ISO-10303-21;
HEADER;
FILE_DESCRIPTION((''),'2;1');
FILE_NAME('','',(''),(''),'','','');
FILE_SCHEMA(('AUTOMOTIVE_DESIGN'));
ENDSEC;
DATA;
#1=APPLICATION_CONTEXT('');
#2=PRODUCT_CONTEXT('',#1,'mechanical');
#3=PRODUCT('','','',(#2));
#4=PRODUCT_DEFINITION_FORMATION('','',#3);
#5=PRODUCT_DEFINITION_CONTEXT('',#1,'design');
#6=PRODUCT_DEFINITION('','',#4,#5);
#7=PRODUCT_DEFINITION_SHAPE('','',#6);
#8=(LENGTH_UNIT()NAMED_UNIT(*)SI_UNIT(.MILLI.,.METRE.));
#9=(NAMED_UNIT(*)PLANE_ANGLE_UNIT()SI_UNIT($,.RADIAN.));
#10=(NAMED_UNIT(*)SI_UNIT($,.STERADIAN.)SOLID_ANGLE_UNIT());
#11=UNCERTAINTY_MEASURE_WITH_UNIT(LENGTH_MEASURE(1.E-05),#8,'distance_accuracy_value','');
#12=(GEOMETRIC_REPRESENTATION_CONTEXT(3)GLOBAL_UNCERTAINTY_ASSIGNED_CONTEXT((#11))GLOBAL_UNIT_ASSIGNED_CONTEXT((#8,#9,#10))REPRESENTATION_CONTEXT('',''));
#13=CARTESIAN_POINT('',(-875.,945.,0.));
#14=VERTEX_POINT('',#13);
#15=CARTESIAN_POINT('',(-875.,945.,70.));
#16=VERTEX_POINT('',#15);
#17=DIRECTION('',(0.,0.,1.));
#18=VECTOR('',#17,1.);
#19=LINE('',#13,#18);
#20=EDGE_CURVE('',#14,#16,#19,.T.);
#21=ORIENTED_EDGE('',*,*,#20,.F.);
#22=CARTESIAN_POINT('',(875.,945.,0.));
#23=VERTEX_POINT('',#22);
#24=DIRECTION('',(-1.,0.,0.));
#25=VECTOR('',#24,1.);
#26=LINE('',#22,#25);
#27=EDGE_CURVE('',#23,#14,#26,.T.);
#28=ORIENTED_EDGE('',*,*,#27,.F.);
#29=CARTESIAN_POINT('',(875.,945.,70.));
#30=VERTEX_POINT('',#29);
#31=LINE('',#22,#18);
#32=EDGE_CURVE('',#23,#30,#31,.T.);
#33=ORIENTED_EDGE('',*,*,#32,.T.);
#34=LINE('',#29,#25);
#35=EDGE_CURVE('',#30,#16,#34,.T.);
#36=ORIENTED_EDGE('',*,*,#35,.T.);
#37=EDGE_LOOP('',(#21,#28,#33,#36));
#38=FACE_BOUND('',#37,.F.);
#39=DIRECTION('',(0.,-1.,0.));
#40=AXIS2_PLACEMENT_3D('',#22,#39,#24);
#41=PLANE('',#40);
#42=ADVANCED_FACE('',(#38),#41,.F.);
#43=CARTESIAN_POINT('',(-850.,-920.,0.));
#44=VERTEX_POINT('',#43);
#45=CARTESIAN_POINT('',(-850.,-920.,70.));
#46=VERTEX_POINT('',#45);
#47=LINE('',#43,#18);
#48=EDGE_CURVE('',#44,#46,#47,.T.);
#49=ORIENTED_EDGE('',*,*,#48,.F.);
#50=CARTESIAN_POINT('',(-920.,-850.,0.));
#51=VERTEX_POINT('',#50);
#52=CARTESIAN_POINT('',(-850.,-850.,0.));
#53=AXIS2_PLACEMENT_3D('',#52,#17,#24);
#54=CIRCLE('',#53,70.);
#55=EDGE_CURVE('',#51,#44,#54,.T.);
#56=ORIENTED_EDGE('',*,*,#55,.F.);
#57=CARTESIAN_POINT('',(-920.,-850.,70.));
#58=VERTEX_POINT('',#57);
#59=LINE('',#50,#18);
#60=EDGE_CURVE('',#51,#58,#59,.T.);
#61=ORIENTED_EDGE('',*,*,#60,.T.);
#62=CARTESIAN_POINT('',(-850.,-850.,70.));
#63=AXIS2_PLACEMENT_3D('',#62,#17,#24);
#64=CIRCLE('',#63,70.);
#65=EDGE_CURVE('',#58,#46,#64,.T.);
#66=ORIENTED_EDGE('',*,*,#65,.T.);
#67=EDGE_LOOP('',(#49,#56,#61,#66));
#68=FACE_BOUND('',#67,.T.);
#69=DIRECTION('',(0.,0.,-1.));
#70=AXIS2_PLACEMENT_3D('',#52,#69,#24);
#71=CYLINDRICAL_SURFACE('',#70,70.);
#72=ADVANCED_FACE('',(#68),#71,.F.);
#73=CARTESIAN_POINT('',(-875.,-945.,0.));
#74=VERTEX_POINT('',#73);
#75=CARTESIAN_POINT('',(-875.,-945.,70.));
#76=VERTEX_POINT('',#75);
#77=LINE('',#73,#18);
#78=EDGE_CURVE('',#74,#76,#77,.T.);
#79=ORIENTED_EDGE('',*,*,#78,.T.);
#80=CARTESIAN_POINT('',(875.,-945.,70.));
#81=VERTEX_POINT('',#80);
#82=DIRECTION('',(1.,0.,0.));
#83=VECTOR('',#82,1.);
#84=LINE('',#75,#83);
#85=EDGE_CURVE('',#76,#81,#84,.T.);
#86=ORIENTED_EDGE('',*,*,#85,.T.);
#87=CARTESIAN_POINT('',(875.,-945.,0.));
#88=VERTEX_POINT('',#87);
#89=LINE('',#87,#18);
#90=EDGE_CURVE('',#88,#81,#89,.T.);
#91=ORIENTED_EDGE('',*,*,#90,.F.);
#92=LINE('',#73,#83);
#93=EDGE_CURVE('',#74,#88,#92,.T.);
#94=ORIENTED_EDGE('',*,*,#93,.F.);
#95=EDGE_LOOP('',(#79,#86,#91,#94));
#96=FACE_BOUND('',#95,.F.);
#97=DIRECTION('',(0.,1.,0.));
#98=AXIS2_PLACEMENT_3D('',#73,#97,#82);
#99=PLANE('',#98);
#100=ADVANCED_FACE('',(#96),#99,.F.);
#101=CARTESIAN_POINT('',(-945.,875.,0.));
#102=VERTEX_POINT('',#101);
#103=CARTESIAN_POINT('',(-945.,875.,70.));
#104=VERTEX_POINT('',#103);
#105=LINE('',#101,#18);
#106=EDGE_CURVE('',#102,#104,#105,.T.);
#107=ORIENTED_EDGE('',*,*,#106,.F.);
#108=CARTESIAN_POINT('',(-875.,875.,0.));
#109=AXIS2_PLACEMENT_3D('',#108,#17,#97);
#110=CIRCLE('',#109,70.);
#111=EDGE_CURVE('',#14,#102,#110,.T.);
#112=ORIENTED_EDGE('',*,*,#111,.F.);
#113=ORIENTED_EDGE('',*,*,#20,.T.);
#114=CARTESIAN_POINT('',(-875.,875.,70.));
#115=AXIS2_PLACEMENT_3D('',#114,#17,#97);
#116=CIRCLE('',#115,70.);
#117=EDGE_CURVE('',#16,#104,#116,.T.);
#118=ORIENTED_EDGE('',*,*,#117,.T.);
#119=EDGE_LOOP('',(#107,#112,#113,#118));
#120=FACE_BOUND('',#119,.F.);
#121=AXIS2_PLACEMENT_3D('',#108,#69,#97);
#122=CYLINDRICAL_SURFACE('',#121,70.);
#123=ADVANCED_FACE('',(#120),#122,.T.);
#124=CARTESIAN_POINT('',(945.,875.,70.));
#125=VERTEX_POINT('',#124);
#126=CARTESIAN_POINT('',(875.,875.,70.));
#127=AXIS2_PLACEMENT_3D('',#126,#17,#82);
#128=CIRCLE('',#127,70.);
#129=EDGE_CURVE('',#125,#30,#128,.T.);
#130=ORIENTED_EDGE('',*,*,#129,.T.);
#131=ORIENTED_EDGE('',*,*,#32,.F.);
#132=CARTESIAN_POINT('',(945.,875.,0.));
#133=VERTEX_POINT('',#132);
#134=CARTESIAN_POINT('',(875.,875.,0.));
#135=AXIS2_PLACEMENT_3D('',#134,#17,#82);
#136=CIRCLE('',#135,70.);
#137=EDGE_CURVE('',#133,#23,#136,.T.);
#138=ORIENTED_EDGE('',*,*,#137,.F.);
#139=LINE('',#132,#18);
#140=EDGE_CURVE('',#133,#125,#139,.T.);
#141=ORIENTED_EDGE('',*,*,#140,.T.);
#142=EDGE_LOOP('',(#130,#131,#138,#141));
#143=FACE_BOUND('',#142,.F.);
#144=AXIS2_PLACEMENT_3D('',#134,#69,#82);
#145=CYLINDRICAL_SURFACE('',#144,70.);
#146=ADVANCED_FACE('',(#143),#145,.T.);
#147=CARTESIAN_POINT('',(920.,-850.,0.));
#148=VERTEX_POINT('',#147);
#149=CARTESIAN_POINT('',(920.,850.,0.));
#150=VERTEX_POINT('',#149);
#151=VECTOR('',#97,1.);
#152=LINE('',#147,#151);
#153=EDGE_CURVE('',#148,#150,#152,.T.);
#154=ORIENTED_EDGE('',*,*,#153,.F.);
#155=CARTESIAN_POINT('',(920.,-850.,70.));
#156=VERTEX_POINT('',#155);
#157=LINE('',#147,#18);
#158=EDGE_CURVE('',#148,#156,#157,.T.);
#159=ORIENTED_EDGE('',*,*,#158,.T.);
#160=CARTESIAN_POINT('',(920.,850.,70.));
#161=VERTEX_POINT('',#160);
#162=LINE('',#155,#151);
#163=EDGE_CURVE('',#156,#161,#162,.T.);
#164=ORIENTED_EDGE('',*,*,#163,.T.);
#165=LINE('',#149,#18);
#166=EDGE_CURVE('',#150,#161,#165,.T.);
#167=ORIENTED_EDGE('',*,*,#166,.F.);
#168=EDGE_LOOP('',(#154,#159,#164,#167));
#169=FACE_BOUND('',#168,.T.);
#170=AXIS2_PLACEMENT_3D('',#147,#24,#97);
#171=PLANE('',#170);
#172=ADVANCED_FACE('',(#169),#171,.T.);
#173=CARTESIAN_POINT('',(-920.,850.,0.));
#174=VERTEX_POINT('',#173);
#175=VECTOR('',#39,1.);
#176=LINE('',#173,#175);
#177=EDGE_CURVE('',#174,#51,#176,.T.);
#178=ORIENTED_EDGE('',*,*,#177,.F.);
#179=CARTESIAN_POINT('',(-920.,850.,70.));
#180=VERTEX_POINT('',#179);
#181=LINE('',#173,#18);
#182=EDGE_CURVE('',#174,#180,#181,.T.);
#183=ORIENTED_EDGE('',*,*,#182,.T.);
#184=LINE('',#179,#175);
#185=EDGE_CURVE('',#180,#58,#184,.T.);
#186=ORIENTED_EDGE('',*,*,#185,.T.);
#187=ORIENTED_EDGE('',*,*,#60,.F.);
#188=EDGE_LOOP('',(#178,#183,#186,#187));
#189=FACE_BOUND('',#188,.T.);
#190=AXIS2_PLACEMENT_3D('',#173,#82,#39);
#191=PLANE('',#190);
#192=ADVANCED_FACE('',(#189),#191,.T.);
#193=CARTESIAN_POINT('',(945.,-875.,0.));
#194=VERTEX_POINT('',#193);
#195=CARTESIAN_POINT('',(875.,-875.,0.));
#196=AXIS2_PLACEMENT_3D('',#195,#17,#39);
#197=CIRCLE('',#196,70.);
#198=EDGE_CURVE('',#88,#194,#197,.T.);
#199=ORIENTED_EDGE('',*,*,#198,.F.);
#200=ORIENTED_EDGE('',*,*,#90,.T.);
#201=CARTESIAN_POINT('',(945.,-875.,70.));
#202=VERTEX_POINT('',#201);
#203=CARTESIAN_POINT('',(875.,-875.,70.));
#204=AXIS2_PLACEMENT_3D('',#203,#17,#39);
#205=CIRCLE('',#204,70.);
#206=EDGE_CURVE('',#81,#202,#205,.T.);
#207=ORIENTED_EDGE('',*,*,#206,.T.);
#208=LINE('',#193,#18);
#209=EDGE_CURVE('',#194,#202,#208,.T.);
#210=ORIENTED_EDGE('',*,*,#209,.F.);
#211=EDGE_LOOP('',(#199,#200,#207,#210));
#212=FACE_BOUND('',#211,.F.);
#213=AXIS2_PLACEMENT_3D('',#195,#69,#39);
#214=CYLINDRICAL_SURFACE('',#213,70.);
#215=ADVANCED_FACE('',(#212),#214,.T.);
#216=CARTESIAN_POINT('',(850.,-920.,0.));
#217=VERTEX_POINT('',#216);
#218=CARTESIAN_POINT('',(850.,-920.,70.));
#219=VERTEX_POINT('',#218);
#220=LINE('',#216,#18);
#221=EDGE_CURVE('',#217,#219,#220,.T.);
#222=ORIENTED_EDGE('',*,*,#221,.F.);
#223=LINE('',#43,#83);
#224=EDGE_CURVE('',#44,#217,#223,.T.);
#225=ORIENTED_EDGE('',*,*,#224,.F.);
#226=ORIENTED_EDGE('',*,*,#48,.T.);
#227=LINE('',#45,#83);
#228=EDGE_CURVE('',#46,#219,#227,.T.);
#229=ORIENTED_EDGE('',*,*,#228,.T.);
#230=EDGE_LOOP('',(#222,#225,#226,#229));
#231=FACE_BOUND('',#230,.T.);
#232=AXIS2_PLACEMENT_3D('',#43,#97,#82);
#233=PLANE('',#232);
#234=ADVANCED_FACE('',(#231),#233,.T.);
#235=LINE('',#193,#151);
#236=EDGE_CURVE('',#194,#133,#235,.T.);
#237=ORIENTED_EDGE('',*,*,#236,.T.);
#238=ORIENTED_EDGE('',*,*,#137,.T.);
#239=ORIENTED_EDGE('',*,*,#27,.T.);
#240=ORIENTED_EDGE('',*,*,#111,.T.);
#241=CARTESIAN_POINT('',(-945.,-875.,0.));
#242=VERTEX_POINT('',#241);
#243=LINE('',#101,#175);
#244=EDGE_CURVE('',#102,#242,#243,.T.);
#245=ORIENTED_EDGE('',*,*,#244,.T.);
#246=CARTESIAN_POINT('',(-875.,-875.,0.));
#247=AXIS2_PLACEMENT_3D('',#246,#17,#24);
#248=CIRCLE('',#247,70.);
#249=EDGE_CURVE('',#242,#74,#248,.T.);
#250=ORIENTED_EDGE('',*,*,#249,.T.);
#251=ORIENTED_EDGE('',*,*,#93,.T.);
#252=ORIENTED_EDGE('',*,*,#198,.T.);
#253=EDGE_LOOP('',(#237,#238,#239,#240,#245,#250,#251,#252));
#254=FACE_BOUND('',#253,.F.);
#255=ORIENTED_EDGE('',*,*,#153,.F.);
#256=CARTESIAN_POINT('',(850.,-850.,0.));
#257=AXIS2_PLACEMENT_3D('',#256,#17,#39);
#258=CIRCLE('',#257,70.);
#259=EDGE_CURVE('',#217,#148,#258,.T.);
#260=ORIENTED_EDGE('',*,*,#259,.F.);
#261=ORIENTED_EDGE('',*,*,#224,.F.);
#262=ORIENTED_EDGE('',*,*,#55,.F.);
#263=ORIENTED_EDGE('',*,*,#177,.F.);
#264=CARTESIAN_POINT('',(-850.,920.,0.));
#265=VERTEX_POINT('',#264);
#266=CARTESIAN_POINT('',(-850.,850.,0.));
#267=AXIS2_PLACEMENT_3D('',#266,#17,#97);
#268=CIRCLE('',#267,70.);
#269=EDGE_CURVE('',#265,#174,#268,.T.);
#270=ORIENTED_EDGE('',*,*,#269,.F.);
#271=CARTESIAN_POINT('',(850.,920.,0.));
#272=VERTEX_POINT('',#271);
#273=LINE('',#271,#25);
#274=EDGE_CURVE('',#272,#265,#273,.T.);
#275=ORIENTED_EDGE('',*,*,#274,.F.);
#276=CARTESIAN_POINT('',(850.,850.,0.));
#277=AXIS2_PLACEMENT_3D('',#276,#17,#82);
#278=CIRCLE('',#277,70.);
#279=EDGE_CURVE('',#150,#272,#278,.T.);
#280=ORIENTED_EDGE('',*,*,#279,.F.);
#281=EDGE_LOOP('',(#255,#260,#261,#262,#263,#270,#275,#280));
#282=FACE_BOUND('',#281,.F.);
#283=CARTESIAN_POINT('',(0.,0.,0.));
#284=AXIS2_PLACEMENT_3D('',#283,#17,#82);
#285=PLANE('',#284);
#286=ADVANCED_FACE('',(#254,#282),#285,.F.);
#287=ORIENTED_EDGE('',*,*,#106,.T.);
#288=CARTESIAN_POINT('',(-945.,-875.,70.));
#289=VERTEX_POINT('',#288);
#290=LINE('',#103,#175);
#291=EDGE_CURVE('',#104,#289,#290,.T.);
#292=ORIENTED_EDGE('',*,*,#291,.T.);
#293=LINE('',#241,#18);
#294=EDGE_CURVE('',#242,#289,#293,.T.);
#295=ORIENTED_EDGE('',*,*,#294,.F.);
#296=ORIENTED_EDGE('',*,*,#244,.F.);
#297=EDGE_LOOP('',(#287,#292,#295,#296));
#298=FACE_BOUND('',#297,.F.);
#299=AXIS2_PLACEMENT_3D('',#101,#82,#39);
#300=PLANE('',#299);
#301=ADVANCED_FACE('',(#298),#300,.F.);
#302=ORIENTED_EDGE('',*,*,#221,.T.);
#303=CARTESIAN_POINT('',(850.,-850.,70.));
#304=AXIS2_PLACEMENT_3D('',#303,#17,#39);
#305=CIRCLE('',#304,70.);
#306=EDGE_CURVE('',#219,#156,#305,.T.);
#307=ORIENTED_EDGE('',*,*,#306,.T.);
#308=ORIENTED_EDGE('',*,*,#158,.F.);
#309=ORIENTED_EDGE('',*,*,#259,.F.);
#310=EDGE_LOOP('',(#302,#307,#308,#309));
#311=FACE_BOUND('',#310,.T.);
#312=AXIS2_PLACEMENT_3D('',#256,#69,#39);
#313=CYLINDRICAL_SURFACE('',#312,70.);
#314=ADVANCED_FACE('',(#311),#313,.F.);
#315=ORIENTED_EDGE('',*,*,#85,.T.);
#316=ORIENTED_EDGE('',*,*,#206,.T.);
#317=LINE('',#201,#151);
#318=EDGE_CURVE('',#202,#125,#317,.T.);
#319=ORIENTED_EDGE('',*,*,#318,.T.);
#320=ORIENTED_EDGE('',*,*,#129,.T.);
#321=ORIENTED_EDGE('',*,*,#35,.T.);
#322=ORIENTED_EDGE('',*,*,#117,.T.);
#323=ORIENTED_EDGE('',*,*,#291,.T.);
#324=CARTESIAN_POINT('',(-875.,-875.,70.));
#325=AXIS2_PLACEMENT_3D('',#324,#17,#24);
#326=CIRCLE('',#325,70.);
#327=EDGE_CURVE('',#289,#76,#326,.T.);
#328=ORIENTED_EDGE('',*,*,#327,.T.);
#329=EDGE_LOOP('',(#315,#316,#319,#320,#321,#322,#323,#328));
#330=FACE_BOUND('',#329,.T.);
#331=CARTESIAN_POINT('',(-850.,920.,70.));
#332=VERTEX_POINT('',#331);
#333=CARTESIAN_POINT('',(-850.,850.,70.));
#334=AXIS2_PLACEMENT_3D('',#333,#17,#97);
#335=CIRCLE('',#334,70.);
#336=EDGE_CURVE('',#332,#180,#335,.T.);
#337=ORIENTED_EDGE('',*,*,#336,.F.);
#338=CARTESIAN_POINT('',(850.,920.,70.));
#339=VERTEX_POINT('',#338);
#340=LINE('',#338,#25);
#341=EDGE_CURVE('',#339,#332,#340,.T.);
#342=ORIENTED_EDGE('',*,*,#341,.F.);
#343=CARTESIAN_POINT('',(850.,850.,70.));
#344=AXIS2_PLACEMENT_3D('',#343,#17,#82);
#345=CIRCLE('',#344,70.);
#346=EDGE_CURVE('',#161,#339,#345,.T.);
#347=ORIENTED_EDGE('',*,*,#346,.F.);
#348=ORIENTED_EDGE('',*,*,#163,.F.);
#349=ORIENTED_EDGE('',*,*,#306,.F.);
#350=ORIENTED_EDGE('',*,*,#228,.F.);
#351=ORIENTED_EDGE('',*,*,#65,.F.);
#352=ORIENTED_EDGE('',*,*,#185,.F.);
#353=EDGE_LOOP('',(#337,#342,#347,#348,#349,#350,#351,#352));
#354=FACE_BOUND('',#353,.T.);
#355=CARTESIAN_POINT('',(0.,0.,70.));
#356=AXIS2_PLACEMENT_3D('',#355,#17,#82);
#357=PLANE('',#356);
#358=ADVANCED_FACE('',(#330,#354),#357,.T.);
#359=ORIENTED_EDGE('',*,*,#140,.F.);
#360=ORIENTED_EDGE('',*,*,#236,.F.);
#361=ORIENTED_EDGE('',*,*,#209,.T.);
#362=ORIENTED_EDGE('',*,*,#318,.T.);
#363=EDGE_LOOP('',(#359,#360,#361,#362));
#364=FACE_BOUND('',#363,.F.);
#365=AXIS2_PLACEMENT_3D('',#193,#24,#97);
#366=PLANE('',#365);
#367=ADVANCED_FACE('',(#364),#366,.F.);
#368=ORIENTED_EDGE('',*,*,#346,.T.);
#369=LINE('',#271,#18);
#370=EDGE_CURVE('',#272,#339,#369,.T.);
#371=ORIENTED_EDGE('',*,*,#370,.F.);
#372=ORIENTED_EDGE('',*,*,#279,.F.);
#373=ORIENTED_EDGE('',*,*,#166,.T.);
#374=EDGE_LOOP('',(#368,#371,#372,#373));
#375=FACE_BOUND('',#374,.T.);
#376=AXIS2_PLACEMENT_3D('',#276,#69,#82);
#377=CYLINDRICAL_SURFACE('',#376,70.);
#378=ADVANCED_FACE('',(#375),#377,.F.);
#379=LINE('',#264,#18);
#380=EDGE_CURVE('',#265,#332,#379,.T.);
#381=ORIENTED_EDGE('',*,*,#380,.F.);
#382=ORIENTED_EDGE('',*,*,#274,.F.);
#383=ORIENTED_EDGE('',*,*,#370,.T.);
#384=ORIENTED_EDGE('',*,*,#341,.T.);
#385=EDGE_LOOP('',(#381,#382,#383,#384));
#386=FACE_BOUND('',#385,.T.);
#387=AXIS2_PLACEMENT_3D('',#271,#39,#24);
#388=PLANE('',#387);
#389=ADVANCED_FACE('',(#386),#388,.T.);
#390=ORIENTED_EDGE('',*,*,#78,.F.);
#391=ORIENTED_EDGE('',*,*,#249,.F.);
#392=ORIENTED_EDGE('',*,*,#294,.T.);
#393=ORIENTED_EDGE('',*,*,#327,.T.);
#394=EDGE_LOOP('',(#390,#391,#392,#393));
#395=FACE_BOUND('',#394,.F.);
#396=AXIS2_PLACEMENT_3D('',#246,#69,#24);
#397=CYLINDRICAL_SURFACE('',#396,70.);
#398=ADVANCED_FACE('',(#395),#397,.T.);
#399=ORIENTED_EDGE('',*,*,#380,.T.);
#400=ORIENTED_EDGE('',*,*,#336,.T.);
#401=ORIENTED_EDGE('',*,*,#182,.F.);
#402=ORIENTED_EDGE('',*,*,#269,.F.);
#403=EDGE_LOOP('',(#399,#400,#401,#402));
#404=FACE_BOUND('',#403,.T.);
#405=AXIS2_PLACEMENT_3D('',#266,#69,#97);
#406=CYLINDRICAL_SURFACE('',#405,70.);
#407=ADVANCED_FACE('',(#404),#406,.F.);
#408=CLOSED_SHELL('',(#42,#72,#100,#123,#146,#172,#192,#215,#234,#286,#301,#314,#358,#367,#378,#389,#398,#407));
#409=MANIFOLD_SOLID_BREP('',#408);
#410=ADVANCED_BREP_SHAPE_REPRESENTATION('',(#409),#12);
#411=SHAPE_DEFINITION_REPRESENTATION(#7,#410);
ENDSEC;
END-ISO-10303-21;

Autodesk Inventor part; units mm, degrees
ref_plane "YZ Plane" through (0, 0, 0) normal (1, 0, 0) x (0, 1, 0)
ref_plane "XZ Plane" through (0, 0, 0) normal (0, 1, 0) x (-1, 0, 0)
ref_plane "XY Plane" through (0, 0, 0) normal (0, 0, 1) x (1, 0, 0)
sketch "Sketch1" plane through (0, 0, 0) normal (0, 0, 1) x (1, 0, 0)
  line L0 (-875, -945) -> (875, -945)
  line L1 (945, -875) -> (945, 875)
  line L2 (875, 945) -> (-875, 945)
  line L3 (-945, 875) -> (-945, -875)
  line L4 (-945, -945) -> (945, 945) construction
  line L5 (945, -945) -> (-945, 945) construction
  line L6 (-850, -920) -> (850, -920)
  line L7 (920, -850) -> (920, 850)
  line L8 (850, 920) -> (-850, 920)
  line L9 (-920, 850) -> (-920, -850)
  line L10 (-920, -920) -> (920, 920) construction
  line L11 (920, -920) -> (-920, 920) construction
  arc A0 (-850, 920) -> (-920, 850) centre (-850, 850) ccw
  arc A1 (-875, 945) -> (-945, 875) centre (-875, 875) ccw
  arc A2 (920, 850) -> (850, 920) centre (850, 850) ccw
  arc A3 (945, 875) -> (875, 945) centre (875, 875) ccw
  arc A4 (850, -920) -> (920, -850) centre (850, -850) ccw
  arc A5 (875, -945) -> (945, -875) centre (875, -875) ccw
  arc A6 (-920, -850) -> (-850, -920) centre (-850, -850) ccw
  arc A7 (-945, -875) -> (-875, -945) centre (-875, -875) ccw
  point P0 (0, 0)
  dimension "d0" = 1890
  dimension "d1" = 1890
  dimension "d2" = 1840
  dimension "d3" = 1840
  dimension "d6" = 70
extrude "Extrusion1" add sketch "Sketch1" along normal blind 70
properties part number "Coil1or2"
